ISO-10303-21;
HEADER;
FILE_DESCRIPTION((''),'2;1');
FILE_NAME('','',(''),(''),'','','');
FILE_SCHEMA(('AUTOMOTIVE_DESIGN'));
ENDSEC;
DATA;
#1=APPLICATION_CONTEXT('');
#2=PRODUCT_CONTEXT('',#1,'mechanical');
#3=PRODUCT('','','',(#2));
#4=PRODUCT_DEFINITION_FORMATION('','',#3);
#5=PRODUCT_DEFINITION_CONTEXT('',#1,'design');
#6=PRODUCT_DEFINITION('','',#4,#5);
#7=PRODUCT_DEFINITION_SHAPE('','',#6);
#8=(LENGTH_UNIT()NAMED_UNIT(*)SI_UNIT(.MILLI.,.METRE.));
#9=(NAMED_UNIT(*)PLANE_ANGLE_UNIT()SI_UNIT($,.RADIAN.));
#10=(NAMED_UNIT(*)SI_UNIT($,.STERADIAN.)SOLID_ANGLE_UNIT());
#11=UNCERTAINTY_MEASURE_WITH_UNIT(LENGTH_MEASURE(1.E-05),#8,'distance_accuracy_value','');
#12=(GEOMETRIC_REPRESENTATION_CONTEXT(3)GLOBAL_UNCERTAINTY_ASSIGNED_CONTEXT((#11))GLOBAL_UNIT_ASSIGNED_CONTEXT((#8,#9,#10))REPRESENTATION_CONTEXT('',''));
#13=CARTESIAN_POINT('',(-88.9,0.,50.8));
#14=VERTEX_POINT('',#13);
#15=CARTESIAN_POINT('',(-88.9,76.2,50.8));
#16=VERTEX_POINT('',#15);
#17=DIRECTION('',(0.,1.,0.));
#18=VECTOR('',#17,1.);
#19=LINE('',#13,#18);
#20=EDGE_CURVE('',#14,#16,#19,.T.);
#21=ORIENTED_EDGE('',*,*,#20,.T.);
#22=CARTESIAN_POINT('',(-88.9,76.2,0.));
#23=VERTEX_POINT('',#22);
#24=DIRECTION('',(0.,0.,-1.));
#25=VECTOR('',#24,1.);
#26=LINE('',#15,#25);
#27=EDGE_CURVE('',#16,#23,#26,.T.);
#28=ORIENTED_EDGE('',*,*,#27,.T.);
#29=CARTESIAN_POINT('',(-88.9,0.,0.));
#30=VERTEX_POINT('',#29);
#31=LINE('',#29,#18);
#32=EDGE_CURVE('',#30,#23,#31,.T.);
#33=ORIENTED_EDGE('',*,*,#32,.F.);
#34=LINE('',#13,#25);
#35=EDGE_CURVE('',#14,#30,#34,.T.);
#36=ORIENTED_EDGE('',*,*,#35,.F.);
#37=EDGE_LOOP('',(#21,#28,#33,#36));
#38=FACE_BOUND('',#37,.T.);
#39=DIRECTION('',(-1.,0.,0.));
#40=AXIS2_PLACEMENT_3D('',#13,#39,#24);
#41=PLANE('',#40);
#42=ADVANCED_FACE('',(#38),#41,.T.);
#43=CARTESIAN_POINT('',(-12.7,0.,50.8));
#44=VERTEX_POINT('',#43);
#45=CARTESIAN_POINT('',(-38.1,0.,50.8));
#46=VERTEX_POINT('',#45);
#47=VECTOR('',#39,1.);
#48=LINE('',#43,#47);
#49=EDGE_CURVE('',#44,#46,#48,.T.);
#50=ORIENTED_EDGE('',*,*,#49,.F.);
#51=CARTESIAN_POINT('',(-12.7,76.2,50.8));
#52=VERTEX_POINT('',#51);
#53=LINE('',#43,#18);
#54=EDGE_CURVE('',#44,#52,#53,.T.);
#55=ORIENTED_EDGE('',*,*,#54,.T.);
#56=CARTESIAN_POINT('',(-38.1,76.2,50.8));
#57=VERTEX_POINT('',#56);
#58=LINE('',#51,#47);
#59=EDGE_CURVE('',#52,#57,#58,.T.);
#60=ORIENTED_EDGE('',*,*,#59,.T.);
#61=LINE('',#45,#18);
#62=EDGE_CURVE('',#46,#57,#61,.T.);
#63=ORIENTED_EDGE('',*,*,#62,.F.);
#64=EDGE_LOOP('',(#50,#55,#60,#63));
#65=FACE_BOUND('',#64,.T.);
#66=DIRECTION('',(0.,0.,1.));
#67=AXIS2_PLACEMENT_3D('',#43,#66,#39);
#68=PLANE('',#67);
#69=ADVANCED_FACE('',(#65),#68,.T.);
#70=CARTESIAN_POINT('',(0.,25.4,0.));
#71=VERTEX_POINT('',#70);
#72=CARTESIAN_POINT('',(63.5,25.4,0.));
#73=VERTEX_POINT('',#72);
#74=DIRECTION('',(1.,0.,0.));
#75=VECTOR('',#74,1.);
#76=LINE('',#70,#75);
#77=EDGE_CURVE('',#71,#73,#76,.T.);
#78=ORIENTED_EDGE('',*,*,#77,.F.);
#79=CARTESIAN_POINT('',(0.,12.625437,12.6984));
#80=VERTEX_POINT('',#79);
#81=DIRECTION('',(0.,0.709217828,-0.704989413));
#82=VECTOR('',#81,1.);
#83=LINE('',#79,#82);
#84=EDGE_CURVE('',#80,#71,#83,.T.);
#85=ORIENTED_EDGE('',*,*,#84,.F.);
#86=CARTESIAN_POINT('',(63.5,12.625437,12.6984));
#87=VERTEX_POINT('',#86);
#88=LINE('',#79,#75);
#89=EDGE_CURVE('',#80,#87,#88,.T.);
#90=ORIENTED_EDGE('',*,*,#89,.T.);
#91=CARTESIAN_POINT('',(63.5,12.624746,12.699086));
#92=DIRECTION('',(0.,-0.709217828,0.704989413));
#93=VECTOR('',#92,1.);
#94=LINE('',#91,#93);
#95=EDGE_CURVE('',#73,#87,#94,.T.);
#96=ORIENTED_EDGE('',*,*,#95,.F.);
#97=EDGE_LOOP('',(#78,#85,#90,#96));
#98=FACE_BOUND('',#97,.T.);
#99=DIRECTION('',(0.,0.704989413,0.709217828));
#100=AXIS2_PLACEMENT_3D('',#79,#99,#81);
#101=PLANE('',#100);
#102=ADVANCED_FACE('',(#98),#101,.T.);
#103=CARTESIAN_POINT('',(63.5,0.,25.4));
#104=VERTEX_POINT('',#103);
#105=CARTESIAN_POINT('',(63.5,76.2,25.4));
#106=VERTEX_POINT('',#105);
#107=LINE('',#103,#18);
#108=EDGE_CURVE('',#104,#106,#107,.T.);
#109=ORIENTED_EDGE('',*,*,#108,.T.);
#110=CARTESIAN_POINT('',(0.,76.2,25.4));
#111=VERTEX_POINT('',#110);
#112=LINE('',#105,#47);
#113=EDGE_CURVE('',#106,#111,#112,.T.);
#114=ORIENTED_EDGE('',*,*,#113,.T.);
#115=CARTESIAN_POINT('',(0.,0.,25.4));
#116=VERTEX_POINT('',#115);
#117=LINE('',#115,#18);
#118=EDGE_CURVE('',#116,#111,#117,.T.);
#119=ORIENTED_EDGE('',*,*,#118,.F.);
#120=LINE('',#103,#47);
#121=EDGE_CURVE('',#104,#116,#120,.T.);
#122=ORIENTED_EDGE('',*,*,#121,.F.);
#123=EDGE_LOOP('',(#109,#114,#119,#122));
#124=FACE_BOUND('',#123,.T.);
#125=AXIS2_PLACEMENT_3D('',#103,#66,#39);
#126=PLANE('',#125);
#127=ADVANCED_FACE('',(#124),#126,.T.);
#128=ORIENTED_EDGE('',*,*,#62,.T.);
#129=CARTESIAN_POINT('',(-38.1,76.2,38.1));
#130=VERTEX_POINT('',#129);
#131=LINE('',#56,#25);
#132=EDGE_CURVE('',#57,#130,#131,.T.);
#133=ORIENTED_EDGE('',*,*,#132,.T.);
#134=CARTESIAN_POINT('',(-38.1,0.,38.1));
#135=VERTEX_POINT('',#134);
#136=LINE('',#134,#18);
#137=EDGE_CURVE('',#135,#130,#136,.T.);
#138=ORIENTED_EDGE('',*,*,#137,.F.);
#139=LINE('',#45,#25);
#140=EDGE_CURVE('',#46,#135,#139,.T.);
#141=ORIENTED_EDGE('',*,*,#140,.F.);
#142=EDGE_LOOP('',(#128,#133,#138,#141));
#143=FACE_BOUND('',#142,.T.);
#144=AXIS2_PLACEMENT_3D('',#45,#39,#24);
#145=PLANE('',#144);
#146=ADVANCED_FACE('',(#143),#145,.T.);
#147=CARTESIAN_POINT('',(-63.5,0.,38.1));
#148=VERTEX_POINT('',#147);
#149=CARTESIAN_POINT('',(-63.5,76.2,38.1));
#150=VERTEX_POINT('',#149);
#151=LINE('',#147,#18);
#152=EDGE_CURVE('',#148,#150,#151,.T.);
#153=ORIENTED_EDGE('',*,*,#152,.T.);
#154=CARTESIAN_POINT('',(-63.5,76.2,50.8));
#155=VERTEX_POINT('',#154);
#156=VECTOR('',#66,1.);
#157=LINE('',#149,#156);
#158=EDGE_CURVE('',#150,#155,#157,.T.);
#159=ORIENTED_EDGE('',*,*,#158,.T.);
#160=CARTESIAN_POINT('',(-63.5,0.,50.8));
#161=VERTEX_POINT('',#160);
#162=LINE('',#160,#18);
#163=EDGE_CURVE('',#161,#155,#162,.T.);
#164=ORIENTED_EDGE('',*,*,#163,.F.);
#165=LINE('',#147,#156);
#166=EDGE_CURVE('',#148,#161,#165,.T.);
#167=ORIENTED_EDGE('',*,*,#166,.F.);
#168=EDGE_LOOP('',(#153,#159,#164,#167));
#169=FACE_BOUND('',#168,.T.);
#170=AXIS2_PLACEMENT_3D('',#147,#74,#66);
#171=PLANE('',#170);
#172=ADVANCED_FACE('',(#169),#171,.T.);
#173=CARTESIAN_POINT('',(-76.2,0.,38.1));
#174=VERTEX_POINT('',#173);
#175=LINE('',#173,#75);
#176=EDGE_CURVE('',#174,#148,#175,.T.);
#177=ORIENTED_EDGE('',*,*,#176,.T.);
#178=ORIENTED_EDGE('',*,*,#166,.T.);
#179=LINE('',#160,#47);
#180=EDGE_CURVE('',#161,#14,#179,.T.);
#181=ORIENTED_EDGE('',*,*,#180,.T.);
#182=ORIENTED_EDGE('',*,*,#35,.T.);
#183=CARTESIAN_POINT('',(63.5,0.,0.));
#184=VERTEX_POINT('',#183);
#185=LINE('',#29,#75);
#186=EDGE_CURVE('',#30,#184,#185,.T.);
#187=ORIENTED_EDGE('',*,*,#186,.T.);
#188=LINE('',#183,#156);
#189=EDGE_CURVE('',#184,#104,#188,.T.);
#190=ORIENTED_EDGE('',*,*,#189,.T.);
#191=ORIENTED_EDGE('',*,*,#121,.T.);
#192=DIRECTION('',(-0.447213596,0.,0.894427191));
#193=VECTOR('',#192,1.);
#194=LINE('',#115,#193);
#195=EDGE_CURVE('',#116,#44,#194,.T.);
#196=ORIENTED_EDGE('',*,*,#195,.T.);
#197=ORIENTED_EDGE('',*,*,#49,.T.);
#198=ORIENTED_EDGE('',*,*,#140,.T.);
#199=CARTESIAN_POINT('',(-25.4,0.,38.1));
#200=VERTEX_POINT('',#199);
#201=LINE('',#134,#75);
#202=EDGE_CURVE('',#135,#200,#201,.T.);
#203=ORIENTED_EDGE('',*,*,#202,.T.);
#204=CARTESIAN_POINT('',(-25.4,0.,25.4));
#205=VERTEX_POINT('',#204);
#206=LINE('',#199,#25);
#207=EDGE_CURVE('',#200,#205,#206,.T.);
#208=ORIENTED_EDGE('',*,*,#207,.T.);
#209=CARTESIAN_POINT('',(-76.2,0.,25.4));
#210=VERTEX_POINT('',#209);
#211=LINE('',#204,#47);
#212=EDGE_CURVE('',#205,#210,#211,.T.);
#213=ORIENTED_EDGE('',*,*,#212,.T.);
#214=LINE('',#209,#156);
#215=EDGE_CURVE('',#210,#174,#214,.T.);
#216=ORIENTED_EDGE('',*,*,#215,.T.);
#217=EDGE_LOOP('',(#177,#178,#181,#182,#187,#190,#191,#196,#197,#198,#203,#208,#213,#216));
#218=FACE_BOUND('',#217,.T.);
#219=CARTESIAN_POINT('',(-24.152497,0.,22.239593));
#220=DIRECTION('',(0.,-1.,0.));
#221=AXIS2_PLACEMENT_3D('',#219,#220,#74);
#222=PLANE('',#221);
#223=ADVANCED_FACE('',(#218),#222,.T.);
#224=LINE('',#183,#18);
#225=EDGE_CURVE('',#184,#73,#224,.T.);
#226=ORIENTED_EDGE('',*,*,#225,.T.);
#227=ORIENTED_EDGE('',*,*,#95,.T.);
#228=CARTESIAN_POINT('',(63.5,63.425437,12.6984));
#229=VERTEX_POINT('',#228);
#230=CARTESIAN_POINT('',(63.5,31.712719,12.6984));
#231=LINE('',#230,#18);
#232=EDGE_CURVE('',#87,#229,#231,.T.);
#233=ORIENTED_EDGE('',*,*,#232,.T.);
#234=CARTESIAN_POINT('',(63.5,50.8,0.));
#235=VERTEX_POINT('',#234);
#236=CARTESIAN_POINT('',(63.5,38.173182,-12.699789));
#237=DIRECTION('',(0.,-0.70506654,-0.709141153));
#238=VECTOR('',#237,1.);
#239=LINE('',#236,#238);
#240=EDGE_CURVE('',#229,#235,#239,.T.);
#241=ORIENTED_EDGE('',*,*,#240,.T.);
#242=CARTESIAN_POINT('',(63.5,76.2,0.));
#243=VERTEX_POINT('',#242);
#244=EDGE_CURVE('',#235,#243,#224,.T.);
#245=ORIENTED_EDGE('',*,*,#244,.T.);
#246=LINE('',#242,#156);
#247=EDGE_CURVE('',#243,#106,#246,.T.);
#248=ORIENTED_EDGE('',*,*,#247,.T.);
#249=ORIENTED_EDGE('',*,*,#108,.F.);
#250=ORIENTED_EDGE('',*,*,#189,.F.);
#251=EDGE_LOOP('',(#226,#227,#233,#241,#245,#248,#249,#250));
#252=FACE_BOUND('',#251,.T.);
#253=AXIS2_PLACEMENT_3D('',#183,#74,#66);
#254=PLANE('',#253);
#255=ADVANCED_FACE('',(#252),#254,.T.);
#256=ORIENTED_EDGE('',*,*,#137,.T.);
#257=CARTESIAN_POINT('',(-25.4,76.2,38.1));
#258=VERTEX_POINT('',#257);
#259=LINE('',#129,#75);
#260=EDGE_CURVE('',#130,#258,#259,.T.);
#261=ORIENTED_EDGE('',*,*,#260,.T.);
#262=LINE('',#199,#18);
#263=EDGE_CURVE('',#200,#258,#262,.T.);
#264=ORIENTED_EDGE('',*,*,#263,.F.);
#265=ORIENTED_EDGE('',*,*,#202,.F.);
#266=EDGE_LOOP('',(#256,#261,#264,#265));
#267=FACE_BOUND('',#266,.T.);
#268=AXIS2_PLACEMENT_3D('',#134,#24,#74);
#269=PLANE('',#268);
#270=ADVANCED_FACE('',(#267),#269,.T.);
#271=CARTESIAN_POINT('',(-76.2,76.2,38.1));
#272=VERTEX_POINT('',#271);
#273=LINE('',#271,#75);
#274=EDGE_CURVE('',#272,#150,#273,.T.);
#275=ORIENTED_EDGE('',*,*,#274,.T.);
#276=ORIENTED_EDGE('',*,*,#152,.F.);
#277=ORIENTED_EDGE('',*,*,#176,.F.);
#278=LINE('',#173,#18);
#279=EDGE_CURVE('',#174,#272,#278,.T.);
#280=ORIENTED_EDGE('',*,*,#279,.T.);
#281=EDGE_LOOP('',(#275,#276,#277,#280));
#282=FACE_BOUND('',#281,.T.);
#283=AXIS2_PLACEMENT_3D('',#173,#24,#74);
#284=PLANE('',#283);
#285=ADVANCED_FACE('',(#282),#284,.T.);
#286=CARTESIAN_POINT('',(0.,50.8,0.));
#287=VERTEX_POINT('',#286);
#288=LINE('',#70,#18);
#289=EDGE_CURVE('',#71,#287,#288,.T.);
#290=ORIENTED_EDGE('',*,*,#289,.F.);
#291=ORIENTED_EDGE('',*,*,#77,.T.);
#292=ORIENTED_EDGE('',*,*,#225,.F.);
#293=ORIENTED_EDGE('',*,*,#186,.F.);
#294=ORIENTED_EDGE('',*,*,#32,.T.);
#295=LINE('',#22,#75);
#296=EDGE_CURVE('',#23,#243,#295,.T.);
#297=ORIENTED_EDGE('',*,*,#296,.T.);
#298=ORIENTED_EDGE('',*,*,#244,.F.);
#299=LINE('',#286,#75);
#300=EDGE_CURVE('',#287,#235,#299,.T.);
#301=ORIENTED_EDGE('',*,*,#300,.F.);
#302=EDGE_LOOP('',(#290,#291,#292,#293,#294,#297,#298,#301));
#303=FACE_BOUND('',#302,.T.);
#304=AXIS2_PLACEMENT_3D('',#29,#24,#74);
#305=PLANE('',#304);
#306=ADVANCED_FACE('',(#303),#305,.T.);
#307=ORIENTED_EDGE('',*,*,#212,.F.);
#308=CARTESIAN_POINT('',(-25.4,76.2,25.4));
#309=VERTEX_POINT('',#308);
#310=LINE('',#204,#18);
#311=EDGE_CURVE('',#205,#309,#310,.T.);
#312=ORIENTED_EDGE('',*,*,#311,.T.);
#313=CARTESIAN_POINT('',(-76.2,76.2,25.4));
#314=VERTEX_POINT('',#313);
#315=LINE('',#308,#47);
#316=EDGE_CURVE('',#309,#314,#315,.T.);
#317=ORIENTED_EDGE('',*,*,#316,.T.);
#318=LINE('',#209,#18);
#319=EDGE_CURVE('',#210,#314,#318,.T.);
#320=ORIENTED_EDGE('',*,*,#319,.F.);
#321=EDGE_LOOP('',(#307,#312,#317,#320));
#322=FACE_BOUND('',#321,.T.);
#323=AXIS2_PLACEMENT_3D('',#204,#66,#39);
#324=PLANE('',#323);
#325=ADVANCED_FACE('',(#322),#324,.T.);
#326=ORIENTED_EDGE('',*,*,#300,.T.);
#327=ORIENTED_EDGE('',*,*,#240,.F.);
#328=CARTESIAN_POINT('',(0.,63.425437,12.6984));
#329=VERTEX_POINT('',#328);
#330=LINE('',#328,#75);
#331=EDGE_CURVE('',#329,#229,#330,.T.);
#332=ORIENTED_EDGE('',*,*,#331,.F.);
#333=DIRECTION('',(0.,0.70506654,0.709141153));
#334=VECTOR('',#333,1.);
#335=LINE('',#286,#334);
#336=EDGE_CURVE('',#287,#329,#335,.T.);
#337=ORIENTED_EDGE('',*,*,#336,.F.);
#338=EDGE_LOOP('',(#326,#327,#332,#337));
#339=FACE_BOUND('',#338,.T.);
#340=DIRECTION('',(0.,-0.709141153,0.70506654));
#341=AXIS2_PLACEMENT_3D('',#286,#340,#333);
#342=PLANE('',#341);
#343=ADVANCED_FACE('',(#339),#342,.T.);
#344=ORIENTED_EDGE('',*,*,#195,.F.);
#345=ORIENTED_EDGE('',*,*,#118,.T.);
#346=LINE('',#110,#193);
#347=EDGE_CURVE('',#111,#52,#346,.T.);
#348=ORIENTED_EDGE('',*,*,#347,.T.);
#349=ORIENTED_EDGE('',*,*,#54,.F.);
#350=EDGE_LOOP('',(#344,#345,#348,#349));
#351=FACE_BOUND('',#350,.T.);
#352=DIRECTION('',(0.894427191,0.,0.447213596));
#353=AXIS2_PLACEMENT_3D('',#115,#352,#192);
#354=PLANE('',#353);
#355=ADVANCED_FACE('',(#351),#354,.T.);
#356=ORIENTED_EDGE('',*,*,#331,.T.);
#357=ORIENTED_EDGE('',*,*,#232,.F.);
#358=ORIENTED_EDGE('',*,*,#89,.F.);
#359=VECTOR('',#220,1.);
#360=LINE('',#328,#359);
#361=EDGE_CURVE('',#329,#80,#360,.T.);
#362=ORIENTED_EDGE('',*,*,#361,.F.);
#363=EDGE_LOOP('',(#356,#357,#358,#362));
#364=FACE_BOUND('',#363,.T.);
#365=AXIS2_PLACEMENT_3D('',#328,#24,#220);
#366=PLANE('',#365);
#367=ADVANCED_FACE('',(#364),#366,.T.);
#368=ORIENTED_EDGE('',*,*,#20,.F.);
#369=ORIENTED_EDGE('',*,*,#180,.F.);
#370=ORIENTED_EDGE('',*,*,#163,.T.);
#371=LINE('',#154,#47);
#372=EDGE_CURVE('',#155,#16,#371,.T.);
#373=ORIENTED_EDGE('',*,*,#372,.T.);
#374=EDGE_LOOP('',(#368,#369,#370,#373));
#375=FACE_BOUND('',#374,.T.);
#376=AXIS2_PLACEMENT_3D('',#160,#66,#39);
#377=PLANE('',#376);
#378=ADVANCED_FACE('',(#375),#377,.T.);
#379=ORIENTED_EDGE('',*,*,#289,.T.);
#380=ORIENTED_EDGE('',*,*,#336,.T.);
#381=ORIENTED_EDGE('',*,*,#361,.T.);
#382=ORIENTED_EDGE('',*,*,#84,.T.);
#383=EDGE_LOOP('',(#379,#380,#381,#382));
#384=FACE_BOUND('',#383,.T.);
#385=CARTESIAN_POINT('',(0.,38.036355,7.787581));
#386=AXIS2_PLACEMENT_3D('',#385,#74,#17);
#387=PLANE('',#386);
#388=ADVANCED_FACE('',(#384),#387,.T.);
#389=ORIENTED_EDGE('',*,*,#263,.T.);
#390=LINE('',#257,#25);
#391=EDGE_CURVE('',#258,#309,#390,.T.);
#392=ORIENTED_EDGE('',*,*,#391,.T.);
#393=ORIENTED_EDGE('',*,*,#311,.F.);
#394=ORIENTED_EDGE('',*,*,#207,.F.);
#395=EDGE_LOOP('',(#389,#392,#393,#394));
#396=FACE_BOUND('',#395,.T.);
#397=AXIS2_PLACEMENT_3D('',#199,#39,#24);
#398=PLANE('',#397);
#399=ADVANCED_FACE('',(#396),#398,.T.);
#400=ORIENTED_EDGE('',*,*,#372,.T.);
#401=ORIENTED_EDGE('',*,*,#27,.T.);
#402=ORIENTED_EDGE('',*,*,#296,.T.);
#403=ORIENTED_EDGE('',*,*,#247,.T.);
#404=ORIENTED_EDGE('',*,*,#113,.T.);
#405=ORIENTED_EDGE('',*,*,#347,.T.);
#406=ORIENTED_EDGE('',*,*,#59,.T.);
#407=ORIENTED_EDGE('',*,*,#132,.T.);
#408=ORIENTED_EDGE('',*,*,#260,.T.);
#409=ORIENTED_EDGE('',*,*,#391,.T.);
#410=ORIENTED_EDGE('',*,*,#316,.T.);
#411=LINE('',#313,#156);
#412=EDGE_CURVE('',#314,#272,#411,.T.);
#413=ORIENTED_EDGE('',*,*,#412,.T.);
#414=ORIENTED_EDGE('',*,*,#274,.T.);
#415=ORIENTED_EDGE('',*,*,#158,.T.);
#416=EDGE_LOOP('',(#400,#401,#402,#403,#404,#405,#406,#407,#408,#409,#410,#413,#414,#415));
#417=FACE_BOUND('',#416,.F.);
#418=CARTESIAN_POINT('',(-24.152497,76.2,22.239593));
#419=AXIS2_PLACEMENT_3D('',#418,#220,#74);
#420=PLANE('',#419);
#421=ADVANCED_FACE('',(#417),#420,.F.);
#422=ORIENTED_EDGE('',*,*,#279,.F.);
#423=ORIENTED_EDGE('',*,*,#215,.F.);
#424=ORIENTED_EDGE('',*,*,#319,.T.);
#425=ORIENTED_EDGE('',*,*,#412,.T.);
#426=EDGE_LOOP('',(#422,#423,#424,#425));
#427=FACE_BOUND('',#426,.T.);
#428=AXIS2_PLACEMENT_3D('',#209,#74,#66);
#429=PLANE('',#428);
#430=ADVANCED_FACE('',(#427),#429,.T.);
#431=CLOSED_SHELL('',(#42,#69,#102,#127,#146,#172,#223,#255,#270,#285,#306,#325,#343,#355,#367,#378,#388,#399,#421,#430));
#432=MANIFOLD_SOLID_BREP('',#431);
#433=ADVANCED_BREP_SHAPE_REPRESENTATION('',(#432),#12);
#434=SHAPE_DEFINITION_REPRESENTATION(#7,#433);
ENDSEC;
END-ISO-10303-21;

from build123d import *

# Parameters (mm, degrees)
F1_DEPTH = 76.2
F3_DEPTH = 203.2


with BuildPart() as f1:
    # F0 (on Front) → F1 (new body)
    with BuildSketch(Plane.XZ):
        Polygon((-88.9, 50.8), (-88.9, 0), (63.5, 0), (63.5, 25.4), (0, 25.4), (-12.7, 50.8), (-38.1, 50.8), (-38.1, 38.1), (-25.4, 38.1), (-25.4, 25.4), (-76.2, 25.4), (-76.2, 38.1), (-63.5, 38.1), (-63.5, 50.8), align=None)
    extrude(amount=-F1_DEPTH)

    # F2 (on Right) → F3 (cut)
    with BuildSketch(Plane.YZ):
        Polygon((63.425437, 12.6984), (12.625437, 12.6984), (25.4, 0), (50.8, 0), align=None)
    extrude(amount=F3_DEPTH, mode=Mode.SUBTRACT)


solid = f1.part
